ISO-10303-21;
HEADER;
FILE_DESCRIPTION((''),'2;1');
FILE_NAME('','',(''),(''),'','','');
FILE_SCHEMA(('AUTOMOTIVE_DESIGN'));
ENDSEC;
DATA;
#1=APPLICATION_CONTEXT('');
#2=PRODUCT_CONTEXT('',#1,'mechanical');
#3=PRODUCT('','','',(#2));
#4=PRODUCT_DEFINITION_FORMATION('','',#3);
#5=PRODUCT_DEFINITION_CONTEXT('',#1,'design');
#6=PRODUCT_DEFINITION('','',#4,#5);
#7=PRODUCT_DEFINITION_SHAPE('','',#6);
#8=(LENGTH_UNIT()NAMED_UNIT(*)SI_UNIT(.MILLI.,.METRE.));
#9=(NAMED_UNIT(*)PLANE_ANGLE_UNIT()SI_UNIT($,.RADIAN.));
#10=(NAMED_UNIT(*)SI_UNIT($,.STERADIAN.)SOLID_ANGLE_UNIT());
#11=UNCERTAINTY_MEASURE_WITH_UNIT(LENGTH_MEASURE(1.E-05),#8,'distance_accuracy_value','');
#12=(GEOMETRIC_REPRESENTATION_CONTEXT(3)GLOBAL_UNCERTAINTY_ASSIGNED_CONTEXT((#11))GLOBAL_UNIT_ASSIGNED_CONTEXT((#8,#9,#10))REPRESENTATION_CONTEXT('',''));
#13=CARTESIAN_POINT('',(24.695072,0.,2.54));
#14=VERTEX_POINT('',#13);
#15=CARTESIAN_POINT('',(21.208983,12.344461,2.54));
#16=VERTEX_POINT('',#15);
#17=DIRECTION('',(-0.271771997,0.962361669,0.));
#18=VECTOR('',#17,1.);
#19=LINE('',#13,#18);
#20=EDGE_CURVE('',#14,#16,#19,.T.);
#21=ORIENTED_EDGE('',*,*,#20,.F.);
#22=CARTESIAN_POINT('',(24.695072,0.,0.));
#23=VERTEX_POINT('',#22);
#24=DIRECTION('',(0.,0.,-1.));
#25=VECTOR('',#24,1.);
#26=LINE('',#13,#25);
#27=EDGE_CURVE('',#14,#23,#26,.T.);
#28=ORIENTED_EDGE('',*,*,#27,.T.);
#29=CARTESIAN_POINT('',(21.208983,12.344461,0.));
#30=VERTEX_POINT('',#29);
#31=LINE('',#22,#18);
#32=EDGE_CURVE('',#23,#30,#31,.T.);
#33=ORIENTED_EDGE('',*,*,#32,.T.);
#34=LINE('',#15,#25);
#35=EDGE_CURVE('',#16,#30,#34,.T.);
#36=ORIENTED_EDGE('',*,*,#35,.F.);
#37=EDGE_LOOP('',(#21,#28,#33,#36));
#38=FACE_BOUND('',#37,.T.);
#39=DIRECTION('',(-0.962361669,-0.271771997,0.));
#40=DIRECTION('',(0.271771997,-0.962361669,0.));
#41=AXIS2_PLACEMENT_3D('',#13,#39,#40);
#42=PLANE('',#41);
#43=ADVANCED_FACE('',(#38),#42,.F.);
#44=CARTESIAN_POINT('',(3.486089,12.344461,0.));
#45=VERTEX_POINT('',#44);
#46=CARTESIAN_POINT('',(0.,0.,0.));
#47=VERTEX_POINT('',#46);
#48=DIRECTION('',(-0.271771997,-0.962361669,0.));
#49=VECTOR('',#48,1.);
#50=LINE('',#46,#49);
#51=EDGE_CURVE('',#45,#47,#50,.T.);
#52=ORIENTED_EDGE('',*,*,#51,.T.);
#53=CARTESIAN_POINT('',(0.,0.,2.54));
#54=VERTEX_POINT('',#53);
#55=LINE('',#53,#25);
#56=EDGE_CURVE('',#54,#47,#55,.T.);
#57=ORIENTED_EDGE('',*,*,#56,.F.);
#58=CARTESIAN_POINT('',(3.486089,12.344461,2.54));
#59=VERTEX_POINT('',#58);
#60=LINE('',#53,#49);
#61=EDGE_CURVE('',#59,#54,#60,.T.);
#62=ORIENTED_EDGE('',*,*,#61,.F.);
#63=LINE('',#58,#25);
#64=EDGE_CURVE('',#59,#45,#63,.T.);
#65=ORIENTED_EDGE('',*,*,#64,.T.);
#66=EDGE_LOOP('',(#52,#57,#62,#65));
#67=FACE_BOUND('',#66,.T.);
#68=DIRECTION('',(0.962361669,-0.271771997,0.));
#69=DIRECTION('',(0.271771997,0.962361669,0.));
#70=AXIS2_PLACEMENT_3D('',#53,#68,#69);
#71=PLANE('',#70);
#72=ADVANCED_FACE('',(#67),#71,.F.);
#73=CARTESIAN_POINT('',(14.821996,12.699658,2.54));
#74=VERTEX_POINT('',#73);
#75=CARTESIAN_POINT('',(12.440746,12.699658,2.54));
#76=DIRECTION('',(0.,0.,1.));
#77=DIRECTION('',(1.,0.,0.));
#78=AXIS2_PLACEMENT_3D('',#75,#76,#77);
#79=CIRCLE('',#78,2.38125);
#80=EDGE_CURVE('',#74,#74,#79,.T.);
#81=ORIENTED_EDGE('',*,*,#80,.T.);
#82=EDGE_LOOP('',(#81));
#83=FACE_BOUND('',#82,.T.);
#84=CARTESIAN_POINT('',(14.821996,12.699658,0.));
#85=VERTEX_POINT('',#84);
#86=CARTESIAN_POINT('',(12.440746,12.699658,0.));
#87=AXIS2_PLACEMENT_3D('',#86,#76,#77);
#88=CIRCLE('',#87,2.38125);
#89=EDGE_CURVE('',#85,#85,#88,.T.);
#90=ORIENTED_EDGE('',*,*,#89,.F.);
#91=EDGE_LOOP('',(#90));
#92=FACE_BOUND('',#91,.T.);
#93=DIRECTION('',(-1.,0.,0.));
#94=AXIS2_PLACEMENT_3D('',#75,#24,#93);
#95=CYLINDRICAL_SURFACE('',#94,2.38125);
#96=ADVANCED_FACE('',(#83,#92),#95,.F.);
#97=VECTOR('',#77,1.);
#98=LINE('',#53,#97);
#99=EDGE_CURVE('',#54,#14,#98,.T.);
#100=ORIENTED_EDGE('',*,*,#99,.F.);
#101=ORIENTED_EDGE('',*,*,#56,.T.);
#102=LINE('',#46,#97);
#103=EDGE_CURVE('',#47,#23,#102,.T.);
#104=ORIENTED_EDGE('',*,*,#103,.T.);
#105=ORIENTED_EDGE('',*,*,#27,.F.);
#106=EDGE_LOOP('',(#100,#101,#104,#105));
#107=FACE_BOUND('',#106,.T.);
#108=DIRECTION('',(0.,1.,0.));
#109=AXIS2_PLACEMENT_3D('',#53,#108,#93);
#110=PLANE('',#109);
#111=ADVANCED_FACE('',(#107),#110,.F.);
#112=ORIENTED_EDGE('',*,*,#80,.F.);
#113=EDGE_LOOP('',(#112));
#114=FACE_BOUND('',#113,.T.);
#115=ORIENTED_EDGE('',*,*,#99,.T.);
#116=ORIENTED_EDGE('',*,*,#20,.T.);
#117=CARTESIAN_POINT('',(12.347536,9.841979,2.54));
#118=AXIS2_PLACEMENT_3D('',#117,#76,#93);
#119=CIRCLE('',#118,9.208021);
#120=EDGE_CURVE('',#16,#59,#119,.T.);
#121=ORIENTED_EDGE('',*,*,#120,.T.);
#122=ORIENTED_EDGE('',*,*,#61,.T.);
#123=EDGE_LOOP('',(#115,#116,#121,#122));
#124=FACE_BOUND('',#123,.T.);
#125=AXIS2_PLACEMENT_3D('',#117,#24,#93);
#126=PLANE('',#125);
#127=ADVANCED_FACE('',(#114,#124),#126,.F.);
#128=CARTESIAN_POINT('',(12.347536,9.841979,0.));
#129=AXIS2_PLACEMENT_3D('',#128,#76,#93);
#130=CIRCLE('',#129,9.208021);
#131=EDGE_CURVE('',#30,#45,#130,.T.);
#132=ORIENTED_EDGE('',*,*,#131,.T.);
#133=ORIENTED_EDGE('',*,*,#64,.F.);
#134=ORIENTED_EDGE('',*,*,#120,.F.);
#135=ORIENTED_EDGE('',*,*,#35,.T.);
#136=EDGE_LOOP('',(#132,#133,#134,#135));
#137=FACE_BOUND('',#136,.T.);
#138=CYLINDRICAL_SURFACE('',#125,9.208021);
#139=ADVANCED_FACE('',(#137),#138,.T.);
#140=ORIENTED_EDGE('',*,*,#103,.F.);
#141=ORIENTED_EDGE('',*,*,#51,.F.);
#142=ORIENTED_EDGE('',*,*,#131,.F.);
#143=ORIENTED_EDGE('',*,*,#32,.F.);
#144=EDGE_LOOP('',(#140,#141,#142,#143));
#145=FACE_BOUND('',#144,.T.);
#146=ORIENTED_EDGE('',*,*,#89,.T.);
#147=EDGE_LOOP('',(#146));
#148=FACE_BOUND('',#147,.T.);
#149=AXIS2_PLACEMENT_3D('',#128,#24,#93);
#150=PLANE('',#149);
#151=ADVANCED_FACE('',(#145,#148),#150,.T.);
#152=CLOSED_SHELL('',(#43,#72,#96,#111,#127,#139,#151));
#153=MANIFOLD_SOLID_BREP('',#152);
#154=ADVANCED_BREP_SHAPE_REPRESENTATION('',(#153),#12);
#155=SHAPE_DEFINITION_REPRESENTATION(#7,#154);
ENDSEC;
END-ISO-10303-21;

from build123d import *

# Parameters (mm, degrees)
SKETCH1_R           = 2.38125
BOSS_EXTRUDE1_DEPTH = 2.54


with BuildPart() as part:
    # Sketch1 → Boss-Extrude1 (new body)
    with BuildSketch(Plane.XY):
        with BuildLine():
            Line((0, 0), (24.69507233, 0))
            Line((24.69507233, 0), (21.208982912, 12.344461037))
            ThreePointArc((21.208982912, 12.344461037), (12.347536165, 19.05), (3.486089418, 12.344461037))
            Line((3.486089418, 12.344461037), (0, 0))
        make_face()
        with Locations((12.440745692, 12.699657948)):
            Circle(SKETCH1_R, mode=Mode.SUBTRACT)
    extrude(amount=BOSS_EXTRUDE1_DEPTH)


solid = part.part
